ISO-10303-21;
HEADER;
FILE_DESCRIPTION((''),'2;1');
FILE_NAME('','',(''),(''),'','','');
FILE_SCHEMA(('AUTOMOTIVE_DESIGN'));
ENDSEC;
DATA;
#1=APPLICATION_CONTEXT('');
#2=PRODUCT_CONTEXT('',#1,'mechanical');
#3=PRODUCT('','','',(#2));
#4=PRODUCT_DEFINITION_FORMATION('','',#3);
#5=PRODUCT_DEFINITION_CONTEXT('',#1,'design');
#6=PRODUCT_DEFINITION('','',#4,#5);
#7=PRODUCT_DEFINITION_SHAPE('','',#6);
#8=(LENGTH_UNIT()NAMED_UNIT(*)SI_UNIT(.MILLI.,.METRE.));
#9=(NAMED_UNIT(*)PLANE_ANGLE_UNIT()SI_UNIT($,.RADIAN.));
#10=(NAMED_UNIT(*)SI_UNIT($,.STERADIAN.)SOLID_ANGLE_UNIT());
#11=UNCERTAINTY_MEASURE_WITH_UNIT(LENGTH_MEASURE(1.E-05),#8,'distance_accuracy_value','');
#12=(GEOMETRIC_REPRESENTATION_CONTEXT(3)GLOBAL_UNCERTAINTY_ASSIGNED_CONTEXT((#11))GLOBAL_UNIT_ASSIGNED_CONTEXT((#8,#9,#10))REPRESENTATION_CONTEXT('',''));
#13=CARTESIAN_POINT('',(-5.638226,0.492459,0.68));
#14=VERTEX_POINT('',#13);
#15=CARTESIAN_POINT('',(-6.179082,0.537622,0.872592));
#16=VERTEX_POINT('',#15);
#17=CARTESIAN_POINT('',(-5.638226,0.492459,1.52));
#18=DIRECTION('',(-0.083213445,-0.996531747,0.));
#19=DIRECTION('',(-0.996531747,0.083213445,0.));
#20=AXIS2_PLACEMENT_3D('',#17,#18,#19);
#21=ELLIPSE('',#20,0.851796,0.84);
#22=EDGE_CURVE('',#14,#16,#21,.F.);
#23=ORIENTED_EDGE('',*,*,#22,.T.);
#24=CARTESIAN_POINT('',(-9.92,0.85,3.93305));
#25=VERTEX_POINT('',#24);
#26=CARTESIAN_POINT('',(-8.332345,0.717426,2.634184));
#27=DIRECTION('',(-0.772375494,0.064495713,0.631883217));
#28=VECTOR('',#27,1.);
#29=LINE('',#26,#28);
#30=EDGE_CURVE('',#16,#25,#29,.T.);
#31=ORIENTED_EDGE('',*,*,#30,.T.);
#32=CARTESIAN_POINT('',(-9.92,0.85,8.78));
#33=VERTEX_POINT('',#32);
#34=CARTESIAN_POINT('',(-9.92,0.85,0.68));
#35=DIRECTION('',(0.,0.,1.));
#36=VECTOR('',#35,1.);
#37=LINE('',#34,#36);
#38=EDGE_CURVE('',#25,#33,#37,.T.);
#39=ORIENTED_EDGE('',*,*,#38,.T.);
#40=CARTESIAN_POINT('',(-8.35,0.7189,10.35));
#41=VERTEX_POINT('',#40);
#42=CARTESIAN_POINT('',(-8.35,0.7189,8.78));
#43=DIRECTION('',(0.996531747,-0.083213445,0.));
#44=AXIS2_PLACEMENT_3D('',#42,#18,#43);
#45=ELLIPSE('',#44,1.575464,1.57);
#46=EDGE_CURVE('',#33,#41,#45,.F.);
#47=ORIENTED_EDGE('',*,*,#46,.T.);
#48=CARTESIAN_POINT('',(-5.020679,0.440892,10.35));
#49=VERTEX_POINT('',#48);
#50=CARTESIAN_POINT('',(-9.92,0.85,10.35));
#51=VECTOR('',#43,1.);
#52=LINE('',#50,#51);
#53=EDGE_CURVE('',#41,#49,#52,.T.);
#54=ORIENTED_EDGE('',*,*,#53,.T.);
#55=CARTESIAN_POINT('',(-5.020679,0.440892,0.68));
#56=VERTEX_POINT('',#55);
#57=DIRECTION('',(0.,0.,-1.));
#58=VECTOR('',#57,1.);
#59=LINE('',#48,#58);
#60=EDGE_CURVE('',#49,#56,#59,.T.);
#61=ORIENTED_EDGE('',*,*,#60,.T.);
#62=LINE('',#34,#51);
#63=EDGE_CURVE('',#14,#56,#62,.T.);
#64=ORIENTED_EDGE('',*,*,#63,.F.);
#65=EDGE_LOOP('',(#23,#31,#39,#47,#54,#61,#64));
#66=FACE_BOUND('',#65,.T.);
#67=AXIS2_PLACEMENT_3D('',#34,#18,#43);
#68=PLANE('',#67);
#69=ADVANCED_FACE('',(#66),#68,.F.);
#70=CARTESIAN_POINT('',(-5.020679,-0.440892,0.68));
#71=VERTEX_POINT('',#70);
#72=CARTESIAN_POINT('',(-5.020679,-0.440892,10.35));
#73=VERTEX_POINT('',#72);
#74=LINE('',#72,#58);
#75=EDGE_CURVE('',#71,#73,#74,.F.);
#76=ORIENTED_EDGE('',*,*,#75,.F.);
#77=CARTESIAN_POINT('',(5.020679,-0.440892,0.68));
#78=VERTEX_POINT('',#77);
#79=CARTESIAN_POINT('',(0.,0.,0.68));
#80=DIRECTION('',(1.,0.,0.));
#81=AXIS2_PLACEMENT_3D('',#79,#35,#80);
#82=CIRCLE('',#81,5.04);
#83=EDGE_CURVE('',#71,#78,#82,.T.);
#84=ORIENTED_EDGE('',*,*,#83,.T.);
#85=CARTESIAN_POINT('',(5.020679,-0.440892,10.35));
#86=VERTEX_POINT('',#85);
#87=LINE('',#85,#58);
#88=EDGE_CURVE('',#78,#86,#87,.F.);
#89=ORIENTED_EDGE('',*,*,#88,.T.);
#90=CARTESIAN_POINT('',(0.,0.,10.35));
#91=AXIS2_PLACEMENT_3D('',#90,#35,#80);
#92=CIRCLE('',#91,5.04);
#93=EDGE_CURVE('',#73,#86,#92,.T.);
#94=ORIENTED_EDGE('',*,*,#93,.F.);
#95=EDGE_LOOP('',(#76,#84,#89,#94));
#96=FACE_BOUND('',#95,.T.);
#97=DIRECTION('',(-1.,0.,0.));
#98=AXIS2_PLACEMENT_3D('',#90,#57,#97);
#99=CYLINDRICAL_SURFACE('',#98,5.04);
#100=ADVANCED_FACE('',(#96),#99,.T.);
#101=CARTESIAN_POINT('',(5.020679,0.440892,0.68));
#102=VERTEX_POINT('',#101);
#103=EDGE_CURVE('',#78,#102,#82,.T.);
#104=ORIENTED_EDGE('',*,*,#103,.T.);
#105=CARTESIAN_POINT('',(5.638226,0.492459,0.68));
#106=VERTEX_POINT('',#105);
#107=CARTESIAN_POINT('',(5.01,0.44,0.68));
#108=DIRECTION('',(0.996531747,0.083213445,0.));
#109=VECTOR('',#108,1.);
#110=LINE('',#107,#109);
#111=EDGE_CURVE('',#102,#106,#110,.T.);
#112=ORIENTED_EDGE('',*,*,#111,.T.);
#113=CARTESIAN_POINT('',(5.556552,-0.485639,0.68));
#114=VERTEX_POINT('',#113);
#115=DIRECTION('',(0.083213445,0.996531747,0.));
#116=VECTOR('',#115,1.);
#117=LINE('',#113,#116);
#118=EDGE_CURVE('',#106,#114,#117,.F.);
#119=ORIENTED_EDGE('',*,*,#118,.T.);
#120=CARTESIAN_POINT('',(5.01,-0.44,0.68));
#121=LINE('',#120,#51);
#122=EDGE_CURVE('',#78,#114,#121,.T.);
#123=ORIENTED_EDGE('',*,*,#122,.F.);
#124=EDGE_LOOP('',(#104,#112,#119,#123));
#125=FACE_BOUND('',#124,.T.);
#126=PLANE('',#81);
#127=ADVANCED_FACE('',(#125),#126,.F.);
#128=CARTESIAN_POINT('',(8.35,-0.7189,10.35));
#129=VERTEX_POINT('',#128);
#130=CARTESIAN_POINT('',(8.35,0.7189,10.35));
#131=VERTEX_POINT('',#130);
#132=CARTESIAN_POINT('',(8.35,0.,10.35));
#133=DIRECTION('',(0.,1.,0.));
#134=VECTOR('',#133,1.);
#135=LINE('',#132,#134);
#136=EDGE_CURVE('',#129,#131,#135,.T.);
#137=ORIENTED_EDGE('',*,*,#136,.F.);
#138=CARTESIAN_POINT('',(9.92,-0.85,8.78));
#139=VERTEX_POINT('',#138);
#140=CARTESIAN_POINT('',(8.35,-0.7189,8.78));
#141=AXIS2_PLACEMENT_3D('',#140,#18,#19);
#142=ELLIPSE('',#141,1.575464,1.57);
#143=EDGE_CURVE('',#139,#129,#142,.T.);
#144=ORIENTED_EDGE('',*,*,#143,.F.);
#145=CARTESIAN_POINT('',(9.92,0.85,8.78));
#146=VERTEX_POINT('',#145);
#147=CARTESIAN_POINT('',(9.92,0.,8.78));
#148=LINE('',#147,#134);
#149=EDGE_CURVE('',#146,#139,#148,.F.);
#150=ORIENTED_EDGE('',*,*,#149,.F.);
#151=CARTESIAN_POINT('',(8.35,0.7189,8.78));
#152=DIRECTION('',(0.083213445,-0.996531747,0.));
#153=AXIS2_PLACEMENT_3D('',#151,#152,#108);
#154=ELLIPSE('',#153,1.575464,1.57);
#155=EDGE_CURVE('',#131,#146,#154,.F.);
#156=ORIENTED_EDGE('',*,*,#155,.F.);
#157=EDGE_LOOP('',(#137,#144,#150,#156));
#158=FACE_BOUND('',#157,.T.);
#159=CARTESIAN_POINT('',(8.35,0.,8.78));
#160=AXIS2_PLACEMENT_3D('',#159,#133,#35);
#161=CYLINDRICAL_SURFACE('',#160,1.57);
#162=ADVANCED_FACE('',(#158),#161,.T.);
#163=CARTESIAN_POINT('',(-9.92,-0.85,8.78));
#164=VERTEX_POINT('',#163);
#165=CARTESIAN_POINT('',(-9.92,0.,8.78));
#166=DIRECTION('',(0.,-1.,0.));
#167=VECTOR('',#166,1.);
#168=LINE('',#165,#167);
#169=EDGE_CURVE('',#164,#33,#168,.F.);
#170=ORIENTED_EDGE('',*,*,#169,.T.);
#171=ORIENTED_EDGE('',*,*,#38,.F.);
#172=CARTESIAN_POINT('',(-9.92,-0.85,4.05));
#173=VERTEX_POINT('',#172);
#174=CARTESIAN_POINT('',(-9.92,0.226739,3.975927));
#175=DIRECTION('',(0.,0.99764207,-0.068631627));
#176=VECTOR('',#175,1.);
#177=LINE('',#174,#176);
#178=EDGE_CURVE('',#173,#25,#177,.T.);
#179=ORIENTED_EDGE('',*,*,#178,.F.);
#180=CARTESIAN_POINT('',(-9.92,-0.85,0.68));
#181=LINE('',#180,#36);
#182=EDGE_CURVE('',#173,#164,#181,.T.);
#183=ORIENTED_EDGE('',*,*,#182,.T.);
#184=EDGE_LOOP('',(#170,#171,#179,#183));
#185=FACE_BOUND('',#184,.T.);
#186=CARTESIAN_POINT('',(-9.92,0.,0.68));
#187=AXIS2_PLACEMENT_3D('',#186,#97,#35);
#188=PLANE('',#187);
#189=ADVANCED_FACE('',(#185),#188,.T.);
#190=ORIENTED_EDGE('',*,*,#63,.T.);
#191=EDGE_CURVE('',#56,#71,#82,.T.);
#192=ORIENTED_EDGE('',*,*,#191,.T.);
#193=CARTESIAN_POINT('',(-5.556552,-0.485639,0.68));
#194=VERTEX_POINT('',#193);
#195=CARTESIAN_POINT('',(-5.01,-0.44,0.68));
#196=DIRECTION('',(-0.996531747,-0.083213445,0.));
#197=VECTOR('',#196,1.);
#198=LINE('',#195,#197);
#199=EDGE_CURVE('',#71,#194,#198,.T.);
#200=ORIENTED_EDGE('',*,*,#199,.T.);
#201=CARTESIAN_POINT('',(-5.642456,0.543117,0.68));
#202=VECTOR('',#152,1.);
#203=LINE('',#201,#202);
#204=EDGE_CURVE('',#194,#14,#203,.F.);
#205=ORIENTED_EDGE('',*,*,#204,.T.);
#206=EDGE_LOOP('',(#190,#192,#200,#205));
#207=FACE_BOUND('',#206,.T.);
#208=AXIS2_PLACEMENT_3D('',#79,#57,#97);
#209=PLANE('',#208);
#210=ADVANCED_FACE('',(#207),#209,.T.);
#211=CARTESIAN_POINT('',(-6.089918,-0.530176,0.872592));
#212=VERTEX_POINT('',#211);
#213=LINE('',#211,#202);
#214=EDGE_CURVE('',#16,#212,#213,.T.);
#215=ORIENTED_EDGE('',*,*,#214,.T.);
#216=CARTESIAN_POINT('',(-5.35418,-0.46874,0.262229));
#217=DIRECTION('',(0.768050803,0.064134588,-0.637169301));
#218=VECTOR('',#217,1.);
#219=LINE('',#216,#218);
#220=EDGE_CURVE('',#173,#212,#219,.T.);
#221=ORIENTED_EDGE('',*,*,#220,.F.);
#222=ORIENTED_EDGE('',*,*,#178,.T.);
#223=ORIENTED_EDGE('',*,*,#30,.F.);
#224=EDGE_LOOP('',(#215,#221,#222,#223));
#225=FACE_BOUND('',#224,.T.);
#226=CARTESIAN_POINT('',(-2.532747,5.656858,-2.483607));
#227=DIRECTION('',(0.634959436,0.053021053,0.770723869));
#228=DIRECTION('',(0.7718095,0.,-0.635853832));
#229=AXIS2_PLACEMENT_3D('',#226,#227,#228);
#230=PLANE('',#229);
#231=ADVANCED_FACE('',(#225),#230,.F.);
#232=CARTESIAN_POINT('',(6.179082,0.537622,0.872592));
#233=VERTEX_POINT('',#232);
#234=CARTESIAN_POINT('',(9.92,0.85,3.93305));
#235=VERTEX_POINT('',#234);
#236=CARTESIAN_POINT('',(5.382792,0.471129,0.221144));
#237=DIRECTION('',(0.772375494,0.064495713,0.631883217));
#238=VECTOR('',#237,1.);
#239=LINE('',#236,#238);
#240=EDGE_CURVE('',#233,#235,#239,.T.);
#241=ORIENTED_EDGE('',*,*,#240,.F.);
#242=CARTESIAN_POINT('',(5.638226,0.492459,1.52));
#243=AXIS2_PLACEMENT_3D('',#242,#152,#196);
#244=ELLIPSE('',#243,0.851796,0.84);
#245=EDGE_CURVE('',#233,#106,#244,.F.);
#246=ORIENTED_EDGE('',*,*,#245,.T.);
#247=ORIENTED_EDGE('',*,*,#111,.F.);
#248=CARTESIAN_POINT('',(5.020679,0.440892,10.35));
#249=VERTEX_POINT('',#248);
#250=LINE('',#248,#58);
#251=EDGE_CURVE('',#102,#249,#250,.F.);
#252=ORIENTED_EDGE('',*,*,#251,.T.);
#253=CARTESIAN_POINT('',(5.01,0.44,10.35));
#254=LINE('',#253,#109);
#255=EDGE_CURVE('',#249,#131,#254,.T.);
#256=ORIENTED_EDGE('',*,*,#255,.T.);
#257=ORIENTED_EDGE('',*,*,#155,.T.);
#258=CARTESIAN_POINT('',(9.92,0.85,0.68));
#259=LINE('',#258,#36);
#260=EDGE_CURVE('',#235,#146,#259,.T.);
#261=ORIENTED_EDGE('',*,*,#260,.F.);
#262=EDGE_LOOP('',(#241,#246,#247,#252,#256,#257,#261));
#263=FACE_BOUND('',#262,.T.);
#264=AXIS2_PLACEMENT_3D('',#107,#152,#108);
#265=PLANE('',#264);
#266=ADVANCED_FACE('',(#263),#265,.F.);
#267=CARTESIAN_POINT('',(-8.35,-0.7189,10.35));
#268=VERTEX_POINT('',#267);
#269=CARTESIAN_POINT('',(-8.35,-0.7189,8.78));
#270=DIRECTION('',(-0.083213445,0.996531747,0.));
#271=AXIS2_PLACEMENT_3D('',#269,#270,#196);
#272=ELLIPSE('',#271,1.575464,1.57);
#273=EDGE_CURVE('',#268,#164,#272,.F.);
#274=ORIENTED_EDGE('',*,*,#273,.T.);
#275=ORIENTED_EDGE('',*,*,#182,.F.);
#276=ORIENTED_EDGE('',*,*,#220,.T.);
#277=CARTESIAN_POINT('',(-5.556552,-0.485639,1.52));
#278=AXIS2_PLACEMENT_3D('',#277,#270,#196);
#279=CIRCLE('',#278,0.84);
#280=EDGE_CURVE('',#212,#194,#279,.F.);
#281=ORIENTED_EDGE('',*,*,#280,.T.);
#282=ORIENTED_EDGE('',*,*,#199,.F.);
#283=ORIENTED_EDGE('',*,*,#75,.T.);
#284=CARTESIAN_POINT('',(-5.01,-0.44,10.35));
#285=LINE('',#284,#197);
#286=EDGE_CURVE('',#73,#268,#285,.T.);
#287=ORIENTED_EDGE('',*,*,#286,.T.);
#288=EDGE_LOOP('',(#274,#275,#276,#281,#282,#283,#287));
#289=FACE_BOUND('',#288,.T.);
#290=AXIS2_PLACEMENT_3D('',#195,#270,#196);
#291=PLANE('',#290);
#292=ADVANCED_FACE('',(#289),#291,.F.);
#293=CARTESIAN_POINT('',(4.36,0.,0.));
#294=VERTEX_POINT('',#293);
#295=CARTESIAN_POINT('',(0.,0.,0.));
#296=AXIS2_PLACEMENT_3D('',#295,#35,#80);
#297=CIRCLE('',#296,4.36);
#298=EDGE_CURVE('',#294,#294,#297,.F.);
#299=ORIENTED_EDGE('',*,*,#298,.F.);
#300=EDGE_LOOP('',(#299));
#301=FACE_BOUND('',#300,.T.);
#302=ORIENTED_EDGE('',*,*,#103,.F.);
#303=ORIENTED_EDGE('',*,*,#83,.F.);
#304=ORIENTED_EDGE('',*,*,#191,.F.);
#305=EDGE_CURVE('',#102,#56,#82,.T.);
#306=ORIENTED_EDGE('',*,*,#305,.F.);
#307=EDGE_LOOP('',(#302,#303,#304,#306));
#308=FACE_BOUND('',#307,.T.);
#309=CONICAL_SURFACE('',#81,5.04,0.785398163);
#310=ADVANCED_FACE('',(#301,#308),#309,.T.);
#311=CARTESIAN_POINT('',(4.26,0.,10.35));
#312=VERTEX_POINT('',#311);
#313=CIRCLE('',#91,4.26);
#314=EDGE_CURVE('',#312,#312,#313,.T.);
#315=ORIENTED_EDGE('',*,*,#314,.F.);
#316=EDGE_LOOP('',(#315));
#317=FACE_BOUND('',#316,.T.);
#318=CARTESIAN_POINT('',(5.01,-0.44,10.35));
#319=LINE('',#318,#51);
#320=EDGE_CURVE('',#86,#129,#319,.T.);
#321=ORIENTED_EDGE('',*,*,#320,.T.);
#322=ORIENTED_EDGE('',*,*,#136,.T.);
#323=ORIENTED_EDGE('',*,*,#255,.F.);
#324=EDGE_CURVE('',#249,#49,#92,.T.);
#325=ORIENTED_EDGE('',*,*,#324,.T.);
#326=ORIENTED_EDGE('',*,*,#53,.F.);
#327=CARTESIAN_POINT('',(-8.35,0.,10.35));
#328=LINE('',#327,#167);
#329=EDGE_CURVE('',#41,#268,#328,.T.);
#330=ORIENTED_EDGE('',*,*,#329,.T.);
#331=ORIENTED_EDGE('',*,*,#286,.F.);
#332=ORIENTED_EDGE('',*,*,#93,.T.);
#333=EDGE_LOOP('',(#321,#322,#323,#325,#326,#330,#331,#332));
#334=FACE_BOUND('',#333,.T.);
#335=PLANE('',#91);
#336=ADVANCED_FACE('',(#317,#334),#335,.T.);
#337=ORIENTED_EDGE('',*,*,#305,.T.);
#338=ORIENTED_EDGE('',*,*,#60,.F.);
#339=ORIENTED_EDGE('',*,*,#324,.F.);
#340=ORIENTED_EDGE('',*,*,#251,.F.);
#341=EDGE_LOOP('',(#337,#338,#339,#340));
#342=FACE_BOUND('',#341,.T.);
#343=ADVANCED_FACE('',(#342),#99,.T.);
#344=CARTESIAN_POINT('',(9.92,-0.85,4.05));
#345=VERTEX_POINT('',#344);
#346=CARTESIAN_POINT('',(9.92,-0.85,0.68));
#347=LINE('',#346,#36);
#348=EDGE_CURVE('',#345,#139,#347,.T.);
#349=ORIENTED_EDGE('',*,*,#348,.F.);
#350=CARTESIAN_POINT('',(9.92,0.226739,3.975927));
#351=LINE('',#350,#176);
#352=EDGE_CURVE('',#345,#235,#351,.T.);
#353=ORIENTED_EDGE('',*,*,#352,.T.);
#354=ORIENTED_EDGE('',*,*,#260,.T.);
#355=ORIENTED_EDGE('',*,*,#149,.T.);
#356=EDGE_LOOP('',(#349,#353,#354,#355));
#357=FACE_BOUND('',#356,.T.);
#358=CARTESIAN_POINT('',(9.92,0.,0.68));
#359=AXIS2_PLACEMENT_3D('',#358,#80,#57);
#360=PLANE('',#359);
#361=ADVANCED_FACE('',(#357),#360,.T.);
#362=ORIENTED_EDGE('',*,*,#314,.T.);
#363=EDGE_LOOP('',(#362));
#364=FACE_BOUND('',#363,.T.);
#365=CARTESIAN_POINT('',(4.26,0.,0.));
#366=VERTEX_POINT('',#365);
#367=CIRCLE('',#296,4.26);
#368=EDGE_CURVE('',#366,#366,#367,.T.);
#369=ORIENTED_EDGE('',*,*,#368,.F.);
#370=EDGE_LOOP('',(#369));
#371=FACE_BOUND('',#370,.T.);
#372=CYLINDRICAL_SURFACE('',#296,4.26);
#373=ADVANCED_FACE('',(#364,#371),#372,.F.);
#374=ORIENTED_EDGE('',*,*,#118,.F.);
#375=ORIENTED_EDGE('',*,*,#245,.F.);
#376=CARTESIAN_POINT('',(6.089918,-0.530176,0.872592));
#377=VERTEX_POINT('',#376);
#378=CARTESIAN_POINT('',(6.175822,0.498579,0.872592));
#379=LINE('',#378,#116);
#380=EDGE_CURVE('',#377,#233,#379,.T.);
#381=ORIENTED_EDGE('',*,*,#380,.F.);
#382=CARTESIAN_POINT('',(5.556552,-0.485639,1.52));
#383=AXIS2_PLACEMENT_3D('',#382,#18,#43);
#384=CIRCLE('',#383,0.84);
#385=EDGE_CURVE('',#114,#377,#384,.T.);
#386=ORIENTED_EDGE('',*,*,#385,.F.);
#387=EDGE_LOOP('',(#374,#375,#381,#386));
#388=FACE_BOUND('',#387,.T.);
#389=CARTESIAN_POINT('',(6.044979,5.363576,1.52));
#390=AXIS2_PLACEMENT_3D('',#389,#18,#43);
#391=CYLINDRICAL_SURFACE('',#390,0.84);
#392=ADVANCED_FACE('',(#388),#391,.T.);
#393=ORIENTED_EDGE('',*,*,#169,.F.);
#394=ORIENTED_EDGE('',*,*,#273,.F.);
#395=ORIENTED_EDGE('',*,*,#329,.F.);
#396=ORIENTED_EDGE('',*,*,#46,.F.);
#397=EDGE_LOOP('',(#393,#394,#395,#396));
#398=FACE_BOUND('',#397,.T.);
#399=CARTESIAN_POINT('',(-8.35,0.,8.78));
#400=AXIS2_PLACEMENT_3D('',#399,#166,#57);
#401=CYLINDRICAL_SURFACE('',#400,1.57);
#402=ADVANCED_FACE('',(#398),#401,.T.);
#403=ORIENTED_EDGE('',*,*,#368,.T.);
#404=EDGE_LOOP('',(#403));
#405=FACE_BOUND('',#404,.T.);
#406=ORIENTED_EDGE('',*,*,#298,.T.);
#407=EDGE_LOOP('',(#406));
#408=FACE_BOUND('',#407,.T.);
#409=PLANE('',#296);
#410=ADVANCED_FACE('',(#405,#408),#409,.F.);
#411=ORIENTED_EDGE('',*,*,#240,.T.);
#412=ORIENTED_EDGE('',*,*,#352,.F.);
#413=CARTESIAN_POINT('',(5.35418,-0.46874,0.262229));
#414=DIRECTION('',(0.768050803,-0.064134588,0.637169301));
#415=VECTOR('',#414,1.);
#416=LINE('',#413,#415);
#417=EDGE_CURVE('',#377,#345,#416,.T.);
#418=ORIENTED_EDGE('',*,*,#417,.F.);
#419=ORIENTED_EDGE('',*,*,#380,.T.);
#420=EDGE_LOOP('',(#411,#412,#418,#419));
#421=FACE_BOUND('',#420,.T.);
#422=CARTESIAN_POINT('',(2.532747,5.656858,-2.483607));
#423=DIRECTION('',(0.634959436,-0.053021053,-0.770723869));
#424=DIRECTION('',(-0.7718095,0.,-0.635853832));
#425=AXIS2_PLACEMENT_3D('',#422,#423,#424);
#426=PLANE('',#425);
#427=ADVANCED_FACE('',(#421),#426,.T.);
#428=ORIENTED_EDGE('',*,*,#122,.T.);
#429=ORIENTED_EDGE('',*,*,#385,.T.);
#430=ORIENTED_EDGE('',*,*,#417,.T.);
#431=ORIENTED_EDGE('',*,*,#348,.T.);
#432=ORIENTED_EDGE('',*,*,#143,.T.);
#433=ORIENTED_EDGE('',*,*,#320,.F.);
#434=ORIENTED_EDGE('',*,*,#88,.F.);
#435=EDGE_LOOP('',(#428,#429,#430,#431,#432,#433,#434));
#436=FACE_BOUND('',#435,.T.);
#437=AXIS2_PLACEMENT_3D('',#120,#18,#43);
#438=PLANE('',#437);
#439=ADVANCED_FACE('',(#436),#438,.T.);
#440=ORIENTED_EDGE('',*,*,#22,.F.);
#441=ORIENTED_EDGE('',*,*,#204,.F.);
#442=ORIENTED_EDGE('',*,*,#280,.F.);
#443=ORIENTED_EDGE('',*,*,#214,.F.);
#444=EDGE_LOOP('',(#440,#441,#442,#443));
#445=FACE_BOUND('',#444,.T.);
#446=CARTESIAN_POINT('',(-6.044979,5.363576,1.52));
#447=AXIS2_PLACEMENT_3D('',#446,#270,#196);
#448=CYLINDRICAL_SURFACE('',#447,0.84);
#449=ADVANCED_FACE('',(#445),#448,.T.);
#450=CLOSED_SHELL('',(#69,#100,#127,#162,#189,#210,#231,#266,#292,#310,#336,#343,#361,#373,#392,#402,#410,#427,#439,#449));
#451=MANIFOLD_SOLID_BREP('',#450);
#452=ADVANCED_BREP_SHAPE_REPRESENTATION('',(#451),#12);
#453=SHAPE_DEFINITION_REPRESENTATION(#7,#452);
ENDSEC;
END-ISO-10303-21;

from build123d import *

# Parameters (mm, degrees)
IZIM1_R                     = 5.04
Y_KSEKLIK_EKSTR_ZYON1_DEPTH = 10.35
PAH1_SIZE                   = 0.68
IZIM2_R                     = 4.26
KES_EKSTR_ZYON1_DEPTH       = 10.35
Y_KSEKLIK_EKSTR_ZYON2_DEPTH = 9.67
KES_EKSTR_ZYON2_DEPTH       = 16.20471315
KES_EKSTR_ZYON2_DEPTH_BACK  = 16.20471315
KES_EKSTR_ZYON3_DEPTH       = 16.20471315
KES_EKSTR_ZYON3_DEPTH_BACK  = 16.20471315
RADYUS1_R                   = 0.84
RADYUS4_R                   = 0.84
RADYUS5_R                   = 1.57
RADYUS6_R                   = 1.57


with BuildPart() as part:
    # Çizim1 → Yükseklik-Ekstrüzyon1 (new body)
    with BuildSketch(Plane.XY):
        Circle(IZIM1_R)
    extrude(amount=Y_KSEKLIK_EKSTR_ZYON1_DEPTH)

    # Pah1
    pah1_edges = [part.edges().sort_by_distance(p)[0] for p in [
        (-5.04, 0, 0),
    ]]
    chamfer(pah1_edges, length=PAH1_SIZE)

    # Çizim2 → Kes-Ekstrüzyon1 (cut)
    with BuildSketch(Plane.XY.offset(10.35)):
        Circle(IZIM2_R)
    extrude(amount=-KES_EKSTR_ZYON1_DEPTH, mode=Mode.SUBTRACT)

    # Çizim3 → Yükseklik-Ekstrüzyon2 (add)
    with BuildSketch(Plane.XY.offset(10.35)):
        Polygon((5.01, 0.44), (9.92, 0.85), (9.92, 0), (9.92, -0.85), (5.01, -0.44), (5.01, 0), align=None)
        Polygon((-5.01, 0), (-5.01, 0.44), (-9.92, 0.85), (-9.92, 0), (-9.92, -0.85), (-5.01, -0.44), align=None)
    extrude(amount=-Y_KSEKLIK_EKSTR_ZYON2_DEPTH)

    # Çizim4 → Kes-Ekstrüzyon2 (cut, two sides: drawn at the far end of the back side and taken through both)
    with BuildSketch(Plane(origin=(0.001795297, -0.021499782, 0), x_dir=(-0.9965317468742466, -0.08321344525833854, 0), z_dir=(0.08321344525833854, -0.9965317468742466, 0)).offset(-KES_EKSTR_ZYON2_DEPTH_BACK)):
        Polygon((9.956326357, -0.68), (5.879953823, -0.68), (9.956326357, -4.05), align=None)
    extrude(amount=KES_EKSTR_ZYON2_DEPTH + KES_EKSTR_ZYON2_DEPTH_BACK, mode=Mode.SUBTRACT)

    # Çizim5 → Kes-Ekstrüzyon3 (cut, two sides: drawn at the far end of the back side and taken through both)
    with BuildSketch(Plane(origin=(-0.001795297, -0.021499782, 0), x_dir=(-0.9965317468742466, 0.08321344525833854, 0), z_dir=(-0.08321344525833854, -0.9965317468742466, 0)).offset(-KES_EKSTR_ZYON3_DEPTH_BACK)):
        Polygon((-9.956326357, -4.05), (-5.879953823, -0.68), (-9.956326357, -0.68), align=None)
    extrude(amount=KES_EKSTR_ZYON3_DEPTH + KES_EKSTR_ZYON3_DEPTH_BACK, mode=Mode.SUBTRACT)

    # Radyus1
    radyus1_edges = [part.edges().sort_by_distance(p)[0] for p in [
        (5.900717461, 0.003586632, 0.68),
    ]]
    fillet(radyus1_edges, radius=RADYUS1_R)

    # Radyus4
    radyus4_edges = [part.edges().sort_by_distance(p)[0] for p in [
        (-5.900717461, 0.003586632, 0.68),
    ]]
    fillet(radyus4_edges, radius=RADYUS4_R)

    # Radyus5
    radyus5_edges = [part.edges().sort_by_distance(p)[0] for p in [
        (-9.92, 0, 10.35),
    ]]
    fillet(radyus5_edges, radius=RADYUS5_R)

    # Radyus6
    radyus6_edges = [part.edges().sort_by_distance(p)[0] for p in [
        (9.92, 0, 10.35),
    ]]
    fillet(radyus6_edges, radius=RADYUS6_R)


solid = part.part
